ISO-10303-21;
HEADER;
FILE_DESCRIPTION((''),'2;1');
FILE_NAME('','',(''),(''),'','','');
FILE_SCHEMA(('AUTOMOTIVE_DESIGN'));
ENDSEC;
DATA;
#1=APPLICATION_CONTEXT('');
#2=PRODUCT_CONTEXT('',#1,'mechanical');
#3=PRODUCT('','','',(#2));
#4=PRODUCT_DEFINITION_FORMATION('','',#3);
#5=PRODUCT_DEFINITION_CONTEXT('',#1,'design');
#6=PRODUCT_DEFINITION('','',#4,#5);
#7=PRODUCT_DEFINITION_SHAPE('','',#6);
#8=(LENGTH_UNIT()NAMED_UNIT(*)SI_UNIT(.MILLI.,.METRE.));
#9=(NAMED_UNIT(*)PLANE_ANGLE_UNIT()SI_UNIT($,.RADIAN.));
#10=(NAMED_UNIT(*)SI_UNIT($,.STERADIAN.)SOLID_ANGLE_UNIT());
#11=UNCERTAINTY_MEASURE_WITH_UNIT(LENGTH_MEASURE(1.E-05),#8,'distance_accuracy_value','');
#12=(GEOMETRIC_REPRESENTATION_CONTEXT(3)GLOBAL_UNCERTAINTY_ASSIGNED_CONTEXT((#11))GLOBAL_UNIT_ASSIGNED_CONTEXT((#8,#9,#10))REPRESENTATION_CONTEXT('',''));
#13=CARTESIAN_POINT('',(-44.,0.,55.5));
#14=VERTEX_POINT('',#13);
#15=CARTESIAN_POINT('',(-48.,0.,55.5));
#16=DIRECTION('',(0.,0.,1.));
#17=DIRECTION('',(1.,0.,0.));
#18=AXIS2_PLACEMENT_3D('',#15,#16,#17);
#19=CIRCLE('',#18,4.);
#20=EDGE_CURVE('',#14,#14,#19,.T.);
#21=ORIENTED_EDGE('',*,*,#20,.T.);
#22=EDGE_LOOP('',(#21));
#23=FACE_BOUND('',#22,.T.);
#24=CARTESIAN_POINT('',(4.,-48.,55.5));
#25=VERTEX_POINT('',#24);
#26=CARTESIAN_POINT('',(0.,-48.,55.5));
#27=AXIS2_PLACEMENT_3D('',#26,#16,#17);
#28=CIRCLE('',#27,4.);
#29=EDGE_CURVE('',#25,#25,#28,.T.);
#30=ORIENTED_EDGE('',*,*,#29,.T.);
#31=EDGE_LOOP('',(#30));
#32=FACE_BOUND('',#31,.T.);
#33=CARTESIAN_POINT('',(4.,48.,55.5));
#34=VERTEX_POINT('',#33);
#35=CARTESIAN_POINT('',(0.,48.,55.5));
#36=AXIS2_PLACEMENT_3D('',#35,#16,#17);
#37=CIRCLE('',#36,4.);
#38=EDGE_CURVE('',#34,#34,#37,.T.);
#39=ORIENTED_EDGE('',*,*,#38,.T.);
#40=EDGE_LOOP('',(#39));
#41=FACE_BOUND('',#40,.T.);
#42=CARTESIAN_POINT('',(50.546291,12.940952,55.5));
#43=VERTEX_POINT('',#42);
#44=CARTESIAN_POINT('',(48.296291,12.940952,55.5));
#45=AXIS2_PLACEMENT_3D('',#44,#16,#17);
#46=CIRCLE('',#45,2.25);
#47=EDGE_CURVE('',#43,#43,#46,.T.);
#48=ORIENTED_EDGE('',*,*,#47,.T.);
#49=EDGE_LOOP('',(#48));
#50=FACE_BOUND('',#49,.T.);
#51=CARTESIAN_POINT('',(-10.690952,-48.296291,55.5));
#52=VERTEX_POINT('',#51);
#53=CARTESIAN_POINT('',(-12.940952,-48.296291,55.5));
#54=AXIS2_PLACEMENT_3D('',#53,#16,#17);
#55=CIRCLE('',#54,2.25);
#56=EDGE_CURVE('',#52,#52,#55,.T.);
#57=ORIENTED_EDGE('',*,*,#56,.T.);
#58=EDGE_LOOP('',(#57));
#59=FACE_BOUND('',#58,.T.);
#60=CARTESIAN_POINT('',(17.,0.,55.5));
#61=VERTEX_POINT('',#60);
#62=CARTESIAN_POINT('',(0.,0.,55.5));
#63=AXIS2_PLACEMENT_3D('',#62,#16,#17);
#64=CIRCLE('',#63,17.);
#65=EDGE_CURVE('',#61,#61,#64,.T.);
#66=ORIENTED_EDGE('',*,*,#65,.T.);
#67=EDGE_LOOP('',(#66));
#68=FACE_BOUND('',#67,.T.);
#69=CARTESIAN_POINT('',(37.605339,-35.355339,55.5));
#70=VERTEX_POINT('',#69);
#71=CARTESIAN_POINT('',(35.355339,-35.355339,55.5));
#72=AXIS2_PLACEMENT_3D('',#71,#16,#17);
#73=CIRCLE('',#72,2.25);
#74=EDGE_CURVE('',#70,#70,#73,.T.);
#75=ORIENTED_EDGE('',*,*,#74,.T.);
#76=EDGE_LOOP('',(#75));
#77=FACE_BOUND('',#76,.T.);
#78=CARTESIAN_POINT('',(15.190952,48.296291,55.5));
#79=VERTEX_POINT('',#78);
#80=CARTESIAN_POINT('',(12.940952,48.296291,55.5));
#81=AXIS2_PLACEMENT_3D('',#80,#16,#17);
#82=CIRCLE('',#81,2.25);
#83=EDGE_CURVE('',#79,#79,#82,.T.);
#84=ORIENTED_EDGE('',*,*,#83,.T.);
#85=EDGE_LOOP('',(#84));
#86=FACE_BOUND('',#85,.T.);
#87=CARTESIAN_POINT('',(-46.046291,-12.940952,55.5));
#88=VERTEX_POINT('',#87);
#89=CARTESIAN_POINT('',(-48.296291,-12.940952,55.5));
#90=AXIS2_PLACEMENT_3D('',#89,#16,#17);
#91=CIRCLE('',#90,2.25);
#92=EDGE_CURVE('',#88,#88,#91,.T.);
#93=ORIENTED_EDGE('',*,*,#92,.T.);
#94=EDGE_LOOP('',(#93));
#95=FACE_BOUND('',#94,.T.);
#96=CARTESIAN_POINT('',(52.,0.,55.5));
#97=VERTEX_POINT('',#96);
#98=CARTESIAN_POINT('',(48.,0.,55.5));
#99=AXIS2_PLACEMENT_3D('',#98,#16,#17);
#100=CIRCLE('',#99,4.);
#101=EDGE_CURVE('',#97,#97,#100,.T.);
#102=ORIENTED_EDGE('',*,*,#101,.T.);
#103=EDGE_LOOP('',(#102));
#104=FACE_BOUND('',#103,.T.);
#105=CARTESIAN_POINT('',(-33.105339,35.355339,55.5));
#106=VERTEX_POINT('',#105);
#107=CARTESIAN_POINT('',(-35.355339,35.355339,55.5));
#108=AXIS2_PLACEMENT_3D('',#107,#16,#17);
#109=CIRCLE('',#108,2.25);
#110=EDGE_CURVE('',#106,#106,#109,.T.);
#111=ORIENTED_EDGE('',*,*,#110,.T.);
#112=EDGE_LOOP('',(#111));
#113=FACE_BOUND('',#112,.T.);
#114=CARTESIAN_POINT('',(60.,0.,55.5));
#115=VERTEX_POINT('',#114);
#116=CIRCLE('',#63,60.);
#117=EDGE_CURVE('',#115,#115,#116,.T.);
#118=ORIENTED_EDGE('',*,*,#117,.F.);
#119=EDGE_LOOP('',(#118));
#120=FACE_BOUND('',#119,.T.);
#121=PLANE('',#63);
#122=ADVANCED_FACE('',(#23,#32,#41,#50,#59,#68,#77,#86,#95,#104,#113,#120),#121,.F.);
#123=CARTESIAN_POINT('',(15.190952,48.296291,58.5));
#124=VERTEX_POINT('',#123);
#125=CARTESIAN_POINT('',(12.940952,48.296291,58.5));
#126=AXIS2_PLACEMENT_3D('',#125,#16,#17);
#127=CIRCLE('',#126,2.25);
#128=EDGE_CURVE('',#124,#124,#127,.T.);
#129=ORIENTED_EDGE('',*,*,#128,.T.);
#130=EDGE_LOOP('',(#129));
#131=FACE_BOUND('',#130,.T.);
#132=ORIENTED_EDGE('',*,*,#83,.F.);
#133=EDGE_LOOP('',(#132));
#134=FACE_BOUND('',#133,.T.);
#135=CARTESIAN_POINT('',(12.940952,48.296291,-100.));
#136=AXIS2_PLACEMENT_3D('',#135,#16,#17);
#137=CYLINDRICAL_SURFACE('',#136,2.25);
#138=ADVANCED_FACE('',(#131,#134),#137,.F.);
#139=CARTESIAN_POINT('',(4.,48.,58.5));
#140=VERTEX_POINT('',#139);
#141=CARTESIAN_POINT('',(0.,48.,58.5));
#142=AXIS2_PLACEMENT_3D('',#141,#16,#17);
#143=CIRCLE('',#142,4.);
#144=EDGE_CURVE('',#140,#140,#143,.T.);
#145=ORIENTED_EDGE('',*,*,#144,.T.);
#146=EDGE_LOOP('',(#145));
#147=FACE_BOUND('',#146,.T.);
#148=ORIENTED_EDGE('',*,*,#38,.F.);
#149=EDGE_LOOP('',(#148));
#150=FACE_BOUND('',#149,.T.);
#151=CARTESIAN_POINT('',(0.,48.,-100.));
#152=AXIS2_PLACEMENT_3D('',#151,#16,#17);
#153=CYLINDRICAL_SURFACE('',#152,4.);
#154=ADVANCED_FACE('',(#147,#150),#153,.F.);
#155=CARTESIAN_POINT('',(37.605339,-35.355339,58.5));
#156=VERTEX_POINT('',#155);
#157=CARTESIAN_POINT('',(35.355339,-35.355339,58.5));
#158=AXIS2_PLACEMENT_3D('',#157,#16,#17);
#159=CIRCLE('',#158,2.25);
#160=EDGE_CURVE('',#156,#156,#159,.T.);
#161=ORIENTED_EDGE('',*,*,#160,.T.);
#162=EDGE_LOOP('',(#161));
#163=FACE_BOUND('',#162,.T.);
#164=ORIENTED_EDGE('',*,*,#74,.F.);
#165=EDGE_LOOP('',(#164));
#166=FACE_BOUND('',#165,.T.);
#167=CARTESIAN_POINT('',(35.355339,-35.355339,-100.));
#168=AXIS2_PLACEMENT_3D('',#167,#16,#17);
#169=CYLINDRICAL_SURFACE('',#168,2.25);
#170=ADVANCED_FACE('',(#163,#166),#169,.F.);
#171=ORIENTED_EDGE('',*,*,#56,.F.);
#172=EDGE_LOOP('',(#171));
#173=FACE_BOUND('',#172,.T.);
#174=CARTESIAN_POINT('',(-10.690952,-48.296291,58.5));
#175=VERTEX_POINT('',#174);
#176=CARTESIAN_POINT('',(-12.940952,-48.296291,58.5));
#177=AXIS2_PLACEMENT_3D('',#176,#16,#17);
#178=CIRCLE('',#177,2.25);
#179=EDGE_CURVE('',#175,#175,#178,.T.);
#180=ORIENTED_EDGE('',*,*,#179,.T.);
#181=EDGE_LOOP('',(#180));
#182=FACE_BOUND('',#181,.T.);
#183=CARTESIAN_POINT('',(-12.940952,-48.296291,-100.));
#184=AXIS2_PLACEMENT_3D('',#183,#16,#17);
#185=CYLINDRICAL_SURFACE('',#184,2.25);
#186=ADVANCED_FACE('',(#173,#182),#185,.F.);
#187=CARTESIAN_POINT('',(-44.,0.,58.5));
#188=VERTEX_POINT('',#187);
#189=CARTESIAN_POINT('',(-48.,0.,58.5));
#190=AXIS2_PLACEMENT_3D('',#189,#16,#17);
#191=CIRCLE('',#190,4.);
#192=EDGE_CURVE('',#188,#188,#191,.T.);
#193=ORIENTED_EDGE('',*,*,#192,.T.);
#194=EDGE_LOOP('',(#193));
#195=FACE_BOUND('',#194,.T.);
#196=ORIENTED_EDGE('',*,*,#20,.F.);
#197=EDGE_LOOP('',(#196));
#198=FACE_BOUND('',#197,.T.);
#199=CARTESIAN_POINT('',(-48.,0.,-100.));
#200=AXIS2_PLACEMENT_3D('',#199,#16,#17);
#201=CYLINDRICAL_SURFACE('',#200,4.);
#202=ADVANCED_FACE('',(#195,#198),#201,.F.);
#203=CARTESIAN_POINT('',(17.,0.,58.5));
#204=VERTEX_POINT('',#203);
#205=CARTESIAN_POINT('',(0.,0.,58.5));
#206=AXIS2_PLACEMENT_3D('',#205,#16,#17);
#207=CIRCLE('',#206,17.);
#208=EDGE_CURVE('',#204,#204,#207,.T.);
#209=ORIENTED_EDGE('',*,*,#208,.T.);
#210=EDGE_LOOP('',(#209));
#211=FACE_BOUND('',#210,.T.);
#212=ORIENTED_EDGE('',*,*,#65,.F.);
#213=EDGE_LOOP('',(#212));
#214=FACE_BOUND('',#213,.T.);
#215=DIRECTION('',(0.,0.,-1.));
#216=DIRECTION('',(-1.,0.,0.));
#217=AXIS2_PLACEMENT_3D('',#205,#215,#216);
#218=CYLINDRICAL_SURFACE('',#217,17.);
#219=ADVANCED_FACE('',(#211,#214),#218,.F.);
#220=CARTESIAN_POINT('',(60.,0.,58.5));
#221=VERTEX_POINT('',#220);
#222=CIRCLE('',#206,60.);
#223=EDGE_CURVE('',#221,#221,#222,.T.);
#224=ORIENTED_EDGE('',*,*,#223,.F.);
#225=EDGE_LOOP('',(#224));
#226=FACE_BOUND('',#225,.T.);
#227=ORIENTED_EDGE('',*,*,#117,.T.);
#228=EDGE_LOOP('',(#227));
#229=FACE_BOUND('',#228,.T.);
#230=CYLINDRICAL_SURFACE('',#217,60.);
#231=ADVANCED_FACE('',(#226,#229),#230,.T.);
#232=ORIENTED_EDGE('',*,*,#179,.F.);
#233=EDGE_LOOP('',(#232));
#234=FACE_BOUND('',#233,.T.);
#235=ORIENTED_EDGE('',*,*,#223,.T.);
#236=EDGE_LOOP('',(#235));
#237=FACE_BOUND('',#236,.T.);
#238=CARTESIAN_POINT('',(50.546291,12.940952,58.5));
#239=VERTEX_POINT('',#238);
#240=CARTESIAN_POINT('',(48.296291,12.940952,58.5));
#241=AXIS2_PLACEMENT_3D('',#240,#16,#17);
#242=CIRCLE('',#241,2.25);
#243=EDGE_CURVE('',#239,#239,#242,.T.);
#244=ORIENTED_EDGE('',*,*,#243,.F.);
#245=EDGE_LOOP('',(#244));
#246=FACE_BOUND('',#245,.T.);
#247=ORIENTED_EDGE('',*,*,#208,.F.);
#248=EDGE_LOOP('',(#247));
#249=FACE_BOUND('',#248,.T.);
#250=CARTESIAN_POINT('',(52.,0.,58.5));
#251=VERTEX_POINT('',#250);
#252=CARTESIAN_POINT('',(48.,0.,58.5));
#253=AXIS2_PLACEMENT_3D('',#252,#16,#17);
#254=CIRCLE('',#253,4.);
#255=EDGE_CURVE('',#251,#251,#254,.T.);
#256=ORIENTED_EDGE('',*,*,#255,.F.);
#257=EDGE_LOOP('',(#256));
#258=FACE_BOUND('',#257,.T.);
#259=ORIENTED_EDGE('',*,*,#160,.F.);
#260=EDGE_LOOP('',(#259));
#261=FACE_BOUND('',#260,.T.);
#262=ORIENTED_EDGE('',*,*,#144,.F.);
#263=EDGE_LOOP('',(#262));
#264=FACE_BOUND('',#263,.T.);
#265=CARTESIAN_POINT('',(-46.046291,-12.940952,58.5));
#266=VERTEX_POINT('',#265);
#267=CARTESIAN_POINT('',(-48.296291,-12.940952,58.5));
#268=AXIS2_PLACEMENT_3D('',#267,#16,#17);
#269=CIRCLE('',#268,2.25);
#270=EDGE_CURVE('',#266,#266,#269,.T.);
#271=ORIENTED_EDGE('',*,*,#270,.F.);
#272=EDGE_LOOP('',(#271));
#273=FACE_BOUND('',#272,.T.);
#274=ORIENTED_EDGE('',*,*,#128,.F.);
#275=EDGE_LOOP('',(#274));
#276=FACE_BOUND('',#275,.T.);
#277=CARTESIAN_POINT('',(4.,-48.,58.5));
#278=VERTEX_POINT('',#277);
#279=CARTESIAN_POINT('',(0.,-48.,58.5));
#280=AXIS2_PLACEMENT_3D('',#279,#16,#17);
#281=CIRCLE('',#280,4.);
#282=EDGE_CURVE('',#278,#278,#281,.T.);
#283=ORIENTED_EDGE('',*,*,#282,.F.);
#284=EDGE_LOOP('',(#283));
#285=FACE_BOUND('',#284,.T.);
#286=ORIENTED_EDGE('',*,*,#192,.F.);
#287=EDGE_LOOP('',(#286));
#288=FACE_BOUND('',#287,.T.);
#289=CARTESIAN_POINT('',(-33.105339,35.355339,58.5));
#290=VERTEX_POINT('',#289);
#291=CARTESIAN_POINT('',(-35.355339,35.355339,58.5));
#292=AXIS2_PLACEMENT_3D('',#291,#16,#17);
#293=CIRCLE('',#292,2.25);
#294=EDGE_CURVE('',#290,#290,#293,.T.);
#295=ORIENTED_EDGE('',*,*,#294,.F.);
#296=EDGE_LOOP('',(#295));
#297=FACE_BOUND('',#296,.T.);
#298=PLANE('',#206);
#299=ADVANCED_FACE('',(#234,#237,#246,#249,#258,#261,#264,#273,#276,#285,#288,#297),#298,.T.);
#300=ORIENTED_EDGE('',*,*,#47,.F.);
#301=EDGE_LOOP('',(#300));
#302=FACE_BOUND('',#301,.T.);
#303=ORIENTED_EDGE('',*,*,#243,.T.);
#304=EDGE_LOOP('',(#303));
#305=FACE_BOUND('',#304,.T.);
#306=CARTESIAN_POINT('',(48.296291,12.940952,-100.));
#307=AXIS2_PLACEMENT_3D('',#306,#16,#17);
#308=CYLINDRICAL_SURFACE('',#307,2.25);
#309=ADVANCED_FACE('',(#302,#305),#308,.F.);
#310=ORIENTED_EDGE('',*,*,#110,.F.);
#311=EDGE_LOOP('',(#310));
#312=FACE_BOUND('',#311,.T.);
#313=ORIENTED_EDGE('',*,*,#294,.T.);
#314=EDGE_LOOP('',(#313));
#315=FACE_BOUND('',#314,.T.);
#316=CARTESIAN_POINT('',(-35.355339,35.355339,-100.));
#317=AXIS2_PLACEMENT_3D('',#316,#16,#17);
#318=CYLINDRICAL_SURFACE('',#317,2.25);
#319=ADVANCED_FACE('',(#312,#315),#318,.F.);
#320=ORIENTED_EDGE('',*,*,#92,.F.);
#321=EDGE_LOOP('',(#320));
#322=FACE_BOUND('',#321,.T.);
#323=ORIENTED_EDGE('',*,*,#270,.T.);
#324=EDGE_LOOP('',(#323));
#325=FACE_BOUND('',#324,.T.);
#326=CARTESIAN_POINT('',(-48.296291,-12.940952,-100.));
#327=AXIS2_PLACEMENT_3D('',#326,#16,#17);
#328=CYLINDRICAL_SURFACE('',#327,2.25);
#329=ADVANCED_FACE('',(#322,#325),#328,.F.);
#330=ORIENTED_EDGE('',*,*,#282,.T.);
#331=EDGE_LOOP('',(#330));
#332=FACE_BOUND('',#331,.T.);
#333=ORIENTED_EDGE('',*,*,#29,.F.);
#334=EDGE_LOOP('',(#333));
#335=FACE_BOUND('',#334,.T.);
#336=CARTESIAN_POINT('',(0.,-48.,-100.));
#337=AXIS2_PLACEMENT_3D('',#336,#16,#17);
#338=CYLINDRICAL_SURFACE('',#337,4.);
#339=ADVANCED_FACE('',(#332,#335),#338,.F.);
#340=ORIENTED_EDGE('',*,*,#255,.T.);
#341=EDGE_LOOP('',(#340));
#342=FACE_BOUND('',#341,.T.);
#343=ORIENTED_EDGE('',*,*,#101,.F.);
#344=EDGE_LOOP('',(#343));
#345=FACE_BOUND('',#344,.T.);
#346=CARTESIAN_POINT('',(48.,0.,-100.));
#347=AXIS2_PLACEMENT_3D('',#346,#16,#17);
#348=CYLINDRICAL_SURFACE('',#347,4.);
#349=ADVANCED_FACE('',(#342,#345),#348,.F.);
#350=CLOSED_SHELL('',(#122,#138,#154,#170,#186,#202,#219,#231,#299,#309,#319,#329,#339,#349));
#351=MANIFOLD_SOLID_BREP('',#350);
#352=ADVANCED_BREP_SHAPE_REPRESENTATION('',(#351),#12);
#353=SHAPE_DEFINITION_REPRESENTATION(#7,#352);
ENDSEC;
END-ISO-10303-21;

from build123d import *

# Parameters (mm, degrees)
CARRIER_FRONT_START = 55.5
SKETCH_1_R          = 60
SKETCH_1_R_2        = 17
CARRIER_FRONT_DEPTH = 3
SKETCH_2_R          = 2.25
THROUGH_HOLES_DEPTH = 100
SKETCH_3_R          = 4
CUT_EXTRUDE_2_DEPTH = 100


with BuildPart() as part:
    # Эскиз1 → Carrier_front (new body)
    with BuildSketch(Plane.XY.offset(CARRIER_FRONT_START)):
        Circle(SKETCH_1_R)
        Circle(SKETCH_1_R_2, mode=Mode.SUBTRACT)
    extrude(amount=CARRIER_FRONT_DEPTH)

    # Эскиз2 → Through_holes (cut, symmetric)
    with BuildSketch(Plane.XY):
        with Locations((48, 0)):
            Circle(SKETCH_2_R)
        with Locations((0, 48)):
            Circle(SKETCH_2_R)
        with Locations((-48, 0)):
            Circle(SKETCH_2_R)
        with Locations((0, -48)):
            Circle(SKETCH_2_R)
        with Locations((48.296291314, 12.940952255)):
            Circle(SKETCH_2_R)
        with Locations((12.940952255, 48.296291314)):
            Circle(SKETCH_2_R)
        with Locations((-35.355339059, 35.355339059)):
            Circle(SKETCH_2_R)
        with Locations((-48.296291314, -12.940952255)):
            Circle(SKETCH_2_R)
        with Locations((-12.940952255, -48.296291314)):
            Circle(SKETCH_2_R)
        with Locations((35.355339059, -35.355339059)):
            Circle(SKETCH_2_R)
    extrude(amount=THROUGH_HOLES_DEPTH, both=True, mode=Mode.SUBTRACT)

    # Эскиз3 → Вырез-Вытянуть2 (cut, symmetric)
    with BuildSketch(Plane.XY):
        with Locations((48, 0)):
            Circle(SKETCH_3_R)
        with Locations((0, 48)):
            Circle(SKETCH_3_R)
        with Locations((-48, 0)):
            Circle(SKETCH_3_R)
        with Locations((0, -48)):
            Circle(SKETCH_3_R)
    extrude(amount=CUT_EXTRUDE_2_DEPTH, both=True, mode=Mode.SUBTRACT)


solid = part.part
